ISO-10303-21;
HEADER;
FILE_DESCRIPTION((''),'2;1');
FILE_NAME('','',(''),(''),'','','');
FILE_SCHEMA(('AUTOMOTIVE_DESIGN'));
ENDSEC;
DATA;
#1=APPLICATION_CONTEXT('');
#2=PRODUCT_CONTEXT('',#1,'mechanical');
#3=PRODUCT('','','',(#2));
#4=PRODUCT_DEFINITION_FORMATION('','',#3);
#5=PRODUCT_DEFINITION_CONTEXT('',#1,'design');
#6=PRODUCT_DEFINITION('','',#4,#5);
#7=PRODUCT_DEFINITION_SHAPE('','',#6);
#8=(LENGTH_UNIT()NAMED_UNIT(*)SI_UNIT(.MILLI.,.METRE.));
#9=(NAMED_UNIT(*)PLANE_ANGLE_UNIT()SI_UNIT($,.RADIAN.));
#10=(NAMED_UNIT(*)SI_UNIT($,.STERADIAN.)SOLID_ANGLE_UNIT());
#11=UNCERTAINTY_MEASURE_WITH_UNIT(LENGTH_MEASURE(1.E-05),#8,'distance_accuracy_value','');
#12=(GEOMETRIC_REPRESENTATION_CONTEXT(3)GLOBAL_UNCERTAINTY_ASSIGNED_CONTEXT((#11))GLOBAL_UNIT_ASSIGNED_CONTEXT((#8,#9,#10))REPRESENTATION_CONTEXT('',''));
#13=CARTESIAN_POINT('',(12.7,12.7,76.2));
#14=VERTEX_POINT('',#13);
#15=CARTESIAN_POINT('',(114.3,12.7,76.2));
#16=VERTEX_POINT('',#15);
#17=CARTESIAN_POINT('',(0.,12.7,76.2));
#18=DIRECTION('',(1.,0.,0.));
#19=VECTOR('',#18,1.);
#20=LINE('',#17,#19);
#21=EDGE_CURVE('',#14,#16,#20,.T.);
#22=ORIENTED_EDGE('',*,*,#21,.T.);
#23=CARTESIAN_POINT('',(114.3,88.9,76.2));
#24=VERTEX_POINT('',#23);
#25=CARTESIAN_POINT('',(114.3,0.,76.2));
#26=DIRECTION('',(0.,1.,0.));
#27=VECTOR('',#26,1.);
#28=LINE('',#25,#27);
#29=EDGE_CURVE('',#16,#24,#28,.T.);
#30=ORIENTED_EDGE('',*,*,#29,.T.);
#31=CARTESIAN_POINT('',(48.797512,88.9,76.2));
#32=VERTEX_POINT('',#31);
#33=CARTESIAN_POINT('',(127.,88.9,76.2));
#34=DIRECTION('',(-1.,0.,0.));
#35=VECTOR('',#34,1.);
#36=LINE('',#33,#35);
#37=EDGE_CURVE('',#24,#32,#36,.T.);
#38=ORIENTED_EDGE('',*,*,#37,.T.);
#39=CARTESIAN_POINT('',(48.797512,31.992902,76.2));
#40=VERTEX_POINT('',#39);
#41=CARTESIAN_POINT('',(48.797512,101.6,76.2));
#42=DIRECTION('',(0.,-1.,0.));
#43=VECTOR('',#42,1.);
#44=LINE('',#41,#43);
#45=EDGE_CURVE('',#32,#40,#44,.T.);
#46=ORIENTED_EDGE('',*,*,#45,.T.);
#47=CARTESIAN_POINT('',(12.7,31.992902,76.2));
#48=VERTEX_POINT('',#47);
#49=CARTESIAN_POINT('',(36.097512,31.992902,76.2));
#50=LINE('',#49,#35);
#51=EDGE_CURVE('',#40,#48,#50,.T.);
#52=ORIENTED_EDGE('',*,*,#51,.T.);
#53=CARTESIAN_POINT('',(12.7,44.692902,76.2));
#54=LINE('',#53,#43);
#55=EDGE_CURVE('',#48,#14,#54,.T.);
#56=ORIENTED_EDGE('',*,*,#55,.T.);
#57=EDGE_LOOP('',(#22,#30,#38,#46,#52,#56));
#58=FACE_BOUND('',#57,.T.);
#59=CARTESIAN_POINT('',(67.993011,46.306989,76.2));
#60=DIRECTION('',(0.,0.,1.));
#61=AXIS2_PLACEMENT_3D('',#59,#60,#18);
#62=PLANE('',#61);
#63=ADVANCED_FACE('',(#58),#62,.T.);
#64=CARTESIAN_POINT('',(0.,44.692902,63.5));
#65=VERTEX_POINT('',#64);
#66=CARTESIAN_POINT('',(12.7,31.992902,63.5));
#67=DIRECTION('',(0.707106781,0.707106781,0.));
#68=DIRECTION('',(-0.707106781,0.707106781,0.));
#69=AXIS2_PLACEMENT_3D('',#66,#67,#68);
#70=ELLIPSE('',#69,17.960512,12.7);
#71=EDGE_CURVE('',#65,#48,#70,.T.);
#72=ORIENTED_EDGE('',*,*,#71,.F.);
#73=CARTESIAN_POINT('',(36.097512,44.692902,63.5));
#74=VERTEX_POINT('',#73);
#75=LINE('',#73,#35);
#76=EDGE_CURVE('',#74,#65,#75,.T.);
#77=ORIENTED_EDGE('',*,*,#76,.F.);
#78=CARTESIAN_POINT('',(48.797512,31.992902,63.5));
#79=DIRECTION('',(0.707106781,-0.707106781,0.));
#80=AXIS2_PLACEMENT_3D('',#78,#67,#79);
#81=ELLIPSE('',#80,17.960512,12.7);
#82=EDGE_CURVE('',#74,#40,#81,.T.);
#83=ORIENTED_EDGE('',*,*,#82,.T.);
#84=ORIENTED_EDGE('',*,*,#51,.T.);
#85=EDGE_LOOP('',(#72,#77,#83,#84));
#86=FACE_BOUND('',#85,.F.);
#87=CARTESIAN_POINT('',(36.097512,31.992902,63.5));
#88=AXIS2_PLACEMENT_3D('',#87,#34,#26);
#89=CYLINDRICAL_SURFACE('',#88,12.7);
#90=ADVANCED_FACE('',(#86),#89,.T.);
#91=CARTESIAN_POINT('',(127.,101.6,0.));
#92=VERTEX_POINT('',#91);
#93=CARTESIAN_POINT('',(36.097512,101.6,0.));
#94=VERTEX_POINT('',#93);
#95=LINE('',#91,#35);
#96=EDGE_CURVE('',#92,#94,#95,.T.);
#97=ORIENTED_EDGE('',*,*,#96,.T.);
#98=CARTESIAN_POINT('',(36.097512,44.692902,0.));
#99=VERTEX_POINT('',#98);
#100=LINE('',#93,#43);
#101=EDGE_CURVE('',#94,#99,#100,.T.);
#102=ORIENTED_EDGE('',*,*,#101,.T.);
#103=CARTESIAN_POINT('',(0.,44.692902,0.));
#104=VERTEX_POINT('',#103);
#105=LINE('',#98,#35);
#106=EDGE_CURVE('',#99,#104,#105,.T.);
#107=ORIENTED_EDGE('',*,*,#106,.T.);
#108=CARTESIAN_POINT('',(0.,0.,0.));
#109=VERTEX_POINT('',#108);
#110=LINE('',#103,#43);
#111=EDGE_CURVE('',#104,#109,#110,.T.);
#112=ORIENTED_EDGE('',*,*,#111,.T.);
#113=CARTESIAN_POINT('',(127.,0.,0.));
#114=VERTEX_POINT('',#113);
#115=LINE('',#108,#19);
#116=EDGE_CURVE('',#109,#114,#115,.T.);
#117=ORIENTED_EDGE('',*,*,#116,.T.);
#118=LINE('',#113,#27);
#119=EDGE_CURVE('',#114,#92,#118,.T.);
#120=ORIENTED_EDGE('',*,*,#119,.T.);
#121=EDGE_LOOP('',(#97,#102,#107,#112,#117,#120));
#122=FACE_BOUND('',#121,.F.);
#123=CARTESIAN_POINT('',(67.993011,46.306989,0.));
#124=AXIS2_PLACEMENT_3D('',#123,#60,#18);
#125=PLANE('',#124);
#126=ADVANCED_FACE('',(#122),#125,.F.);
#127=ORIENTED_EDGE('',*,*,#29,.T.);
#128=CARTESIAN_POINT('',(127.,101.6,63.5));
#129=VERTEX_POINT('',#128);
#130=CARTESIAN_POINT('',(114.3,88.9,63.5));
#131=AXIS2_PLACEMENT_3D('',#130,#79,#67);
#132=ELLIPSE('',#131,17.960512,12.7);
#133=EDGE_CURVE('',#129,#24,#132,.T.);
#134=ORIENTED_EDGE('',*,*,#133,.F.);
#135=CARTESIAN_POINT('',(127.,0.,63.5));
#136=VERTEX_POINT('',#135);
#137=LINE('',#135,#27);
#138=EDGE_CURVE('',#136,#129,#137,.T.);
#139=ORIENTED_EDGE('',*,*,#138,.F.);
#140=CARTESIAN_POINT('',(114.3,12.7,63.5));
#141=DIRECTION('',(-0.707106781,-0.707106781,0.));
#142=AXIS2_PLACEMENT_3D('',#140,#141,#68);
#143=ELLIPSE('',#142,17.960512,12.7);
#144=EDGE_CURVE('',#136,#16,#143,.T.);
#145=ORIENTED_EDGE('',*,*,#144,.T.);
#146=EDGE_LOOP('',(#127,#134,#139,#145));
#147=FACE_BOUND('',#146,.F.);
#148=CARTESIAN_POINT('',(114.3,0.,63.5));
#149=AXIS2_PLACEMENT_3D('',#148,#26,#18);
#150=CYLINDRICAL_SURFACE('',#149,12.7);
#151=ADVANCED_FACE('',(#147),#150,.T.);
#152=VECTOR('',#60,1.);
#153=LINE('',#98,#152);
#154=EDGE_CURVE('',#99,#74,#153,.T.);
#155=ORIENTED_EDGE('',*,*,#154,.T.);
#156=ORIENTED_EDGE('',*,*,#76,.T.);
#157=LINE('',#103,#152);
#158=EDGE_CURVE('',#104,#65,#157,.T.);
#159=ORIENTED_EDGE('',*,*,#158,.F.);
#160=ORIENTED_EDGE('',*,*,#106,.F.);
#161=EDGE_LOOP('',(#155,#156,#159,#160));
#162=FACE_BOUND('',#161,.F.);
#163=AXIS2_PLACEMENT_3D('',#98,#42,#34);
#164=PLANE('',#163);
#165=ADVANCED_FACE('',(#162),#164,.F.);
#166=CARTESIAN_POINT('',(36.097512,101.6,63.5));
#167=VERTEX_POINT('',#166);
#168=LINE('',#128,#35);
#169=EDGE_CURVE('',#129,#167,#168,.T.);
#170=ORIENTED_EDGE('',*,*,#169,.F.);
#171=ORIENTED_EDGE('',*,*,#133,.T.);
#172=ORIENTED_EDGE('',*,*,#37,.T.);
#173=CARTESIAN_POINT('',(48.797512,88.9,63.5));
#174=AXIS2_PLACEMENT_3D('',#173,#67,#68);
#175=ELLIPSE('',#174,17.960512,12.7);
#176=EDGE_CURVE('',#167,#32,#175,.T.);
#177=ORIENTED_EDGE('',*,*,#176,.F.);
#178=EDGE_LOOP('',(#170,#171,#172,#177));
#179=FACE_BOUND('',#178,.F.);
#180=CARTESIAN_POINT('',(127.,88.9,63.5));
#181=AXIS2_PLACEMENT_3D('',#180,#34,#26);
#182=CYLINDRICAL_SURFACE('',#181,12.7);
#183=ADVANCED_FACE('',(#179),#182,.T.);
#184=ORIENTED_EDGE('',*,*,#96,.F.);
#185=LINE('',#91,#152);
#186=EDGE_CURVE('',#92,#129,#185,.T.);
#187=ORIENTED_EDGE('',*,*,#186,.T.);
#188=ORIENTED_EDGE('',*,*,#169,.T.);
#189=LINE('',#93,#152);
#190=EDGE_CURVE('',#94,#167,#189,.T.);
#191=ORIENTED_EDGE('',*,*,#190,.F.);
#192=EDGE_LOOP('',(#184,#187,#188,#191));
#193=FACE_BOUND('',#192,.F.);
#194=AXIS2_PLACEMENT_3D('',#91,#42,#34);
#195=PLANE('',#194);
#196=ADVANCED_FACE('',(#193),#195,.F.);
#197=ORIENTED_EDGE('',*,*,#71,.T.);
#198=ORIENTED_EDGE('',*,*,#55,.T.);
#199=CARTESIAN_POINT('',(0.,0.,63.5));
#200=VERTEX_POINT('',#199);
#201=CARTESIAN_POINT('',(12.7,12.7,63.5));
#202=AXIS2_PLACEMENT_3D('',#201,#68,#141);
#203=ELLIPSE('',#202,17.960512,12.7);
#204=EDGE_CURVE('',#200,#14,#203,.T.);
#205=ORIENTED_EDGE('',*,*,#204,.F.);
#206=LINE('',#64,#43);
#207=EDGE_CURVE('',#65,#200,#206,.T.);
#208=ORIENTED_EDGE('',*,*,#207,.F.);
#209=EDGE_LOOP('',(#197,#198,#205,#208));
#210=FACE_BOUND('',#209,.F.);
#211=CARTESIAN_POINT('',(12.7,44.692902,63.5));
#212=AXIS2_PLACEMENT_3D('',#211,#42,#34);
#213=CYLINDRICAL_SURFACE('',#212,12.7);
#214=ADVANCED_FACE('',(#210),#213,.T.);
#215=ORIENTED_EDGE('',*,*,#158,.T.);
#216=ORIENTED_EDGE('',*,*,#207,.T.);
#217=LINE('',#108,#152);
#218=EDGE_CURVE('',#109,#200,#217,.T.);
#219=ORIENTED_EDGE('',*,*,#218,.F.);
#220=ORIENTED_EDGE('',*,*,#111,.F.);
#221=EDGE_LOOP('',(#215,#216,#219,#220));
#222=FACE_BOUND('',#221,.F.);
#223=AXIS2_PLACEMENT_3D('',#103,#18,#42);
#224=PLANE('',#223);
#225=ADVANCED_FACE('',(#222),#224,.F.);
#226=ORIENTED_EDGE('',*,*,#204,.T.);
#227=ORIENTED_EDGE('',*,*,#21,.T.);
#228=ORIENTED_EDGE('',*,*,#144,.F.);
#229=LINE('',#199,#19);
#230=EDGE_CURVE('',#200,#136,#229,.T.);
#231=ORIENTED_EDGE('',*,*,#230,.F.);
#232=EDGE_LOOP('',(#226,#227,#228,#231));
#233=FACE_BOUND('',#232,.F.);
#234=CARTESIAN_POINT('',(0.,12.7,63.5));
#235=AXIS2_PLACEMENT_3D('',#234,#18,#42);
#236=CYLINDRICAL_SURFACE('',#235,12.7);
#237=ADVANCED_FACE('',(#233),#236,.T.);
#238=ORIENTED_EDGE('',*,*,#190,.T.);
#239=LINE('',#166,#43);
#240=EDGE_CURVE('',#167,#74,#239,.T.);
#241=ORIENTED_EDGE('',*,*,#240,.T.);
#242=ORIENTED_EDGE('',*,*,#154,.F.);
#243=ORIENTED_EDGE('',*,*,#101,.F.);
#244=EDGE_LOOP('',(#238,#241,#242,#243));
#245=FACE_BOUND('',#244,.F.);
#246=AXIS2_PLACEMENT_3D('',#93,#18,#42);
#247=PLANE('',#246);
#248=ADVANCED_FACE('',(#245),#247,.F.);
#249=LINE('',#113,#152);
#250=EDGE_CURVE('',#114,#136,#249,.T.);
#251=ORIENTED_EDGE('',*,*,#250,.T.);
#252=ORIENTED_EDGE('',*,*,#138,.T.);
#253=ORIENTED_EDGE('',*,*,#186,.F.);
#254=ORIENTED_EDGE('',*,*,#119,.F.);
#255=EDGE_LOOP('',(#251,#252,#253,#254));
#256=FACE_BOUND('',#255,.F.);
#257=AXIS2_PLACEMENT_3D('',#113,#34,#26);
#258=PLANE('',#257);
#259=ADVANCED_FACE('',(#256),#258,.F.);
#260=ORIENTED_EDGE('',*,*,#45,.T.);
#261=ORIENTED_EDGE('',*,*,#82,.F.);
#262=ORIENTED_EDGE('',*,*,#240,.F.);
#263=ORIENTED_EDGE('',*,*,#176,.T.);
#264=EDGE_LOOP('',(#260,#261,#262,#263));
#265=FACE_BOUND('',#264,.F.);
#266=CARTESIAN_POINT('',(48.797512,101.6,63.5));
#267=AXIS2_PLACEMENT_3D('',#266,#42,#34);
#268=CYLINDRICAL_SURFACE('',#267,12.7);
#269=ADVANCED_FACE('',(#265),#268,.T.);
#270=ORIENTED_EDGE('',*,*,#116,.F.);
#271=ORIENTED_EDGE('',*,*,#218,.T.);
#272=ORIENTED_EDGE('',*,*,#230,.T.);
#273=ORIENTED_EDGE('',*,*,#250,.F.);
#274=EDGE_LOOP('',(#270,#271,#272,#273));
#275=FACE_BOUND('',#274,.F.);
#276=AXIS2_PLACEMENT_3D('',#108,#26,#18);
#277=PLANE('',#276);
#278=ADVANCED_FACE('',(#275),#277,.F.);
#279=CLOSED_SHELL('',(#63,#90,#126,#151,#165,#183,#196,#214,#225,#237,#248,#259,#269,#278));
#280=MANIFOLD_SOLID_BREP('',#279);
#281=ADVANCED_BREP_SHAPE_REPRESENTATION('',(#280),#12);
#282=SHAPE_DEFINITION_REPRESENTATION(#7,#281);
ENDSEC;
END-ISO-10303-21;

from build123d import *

# Parameters (mm, degrees)
F1_DEPTH = 76.2
F2_R     = 12.7


with BuildPart() as f1:
    # F0 (on Top) → F1 (new body)
    with BuildSketch(Plane.XY):
        Polygon((0, 44.692902), (0, 0), (127, 0), (127, 101.6), (36.097512, 101.6), (36.097512, 44.692902), align=None)
    extrude(amount=F1_DEPTH)

    # F2
    f2_edges = [f1.edges().sort_by_distance(p)[0] for p in [
        (127, 50.8, 76.2),
        (81.548756, 101.6, 76.2),
        (36.097512, 73.146451, 76.2),
        (18.048756, 44.692902, 76.2),
        (0, 22.346451, 76.2),
        (63.5, 0, 76.2),
    ]]
    fillet(f2_edges, radius=F2_R)


solid = f1.part
